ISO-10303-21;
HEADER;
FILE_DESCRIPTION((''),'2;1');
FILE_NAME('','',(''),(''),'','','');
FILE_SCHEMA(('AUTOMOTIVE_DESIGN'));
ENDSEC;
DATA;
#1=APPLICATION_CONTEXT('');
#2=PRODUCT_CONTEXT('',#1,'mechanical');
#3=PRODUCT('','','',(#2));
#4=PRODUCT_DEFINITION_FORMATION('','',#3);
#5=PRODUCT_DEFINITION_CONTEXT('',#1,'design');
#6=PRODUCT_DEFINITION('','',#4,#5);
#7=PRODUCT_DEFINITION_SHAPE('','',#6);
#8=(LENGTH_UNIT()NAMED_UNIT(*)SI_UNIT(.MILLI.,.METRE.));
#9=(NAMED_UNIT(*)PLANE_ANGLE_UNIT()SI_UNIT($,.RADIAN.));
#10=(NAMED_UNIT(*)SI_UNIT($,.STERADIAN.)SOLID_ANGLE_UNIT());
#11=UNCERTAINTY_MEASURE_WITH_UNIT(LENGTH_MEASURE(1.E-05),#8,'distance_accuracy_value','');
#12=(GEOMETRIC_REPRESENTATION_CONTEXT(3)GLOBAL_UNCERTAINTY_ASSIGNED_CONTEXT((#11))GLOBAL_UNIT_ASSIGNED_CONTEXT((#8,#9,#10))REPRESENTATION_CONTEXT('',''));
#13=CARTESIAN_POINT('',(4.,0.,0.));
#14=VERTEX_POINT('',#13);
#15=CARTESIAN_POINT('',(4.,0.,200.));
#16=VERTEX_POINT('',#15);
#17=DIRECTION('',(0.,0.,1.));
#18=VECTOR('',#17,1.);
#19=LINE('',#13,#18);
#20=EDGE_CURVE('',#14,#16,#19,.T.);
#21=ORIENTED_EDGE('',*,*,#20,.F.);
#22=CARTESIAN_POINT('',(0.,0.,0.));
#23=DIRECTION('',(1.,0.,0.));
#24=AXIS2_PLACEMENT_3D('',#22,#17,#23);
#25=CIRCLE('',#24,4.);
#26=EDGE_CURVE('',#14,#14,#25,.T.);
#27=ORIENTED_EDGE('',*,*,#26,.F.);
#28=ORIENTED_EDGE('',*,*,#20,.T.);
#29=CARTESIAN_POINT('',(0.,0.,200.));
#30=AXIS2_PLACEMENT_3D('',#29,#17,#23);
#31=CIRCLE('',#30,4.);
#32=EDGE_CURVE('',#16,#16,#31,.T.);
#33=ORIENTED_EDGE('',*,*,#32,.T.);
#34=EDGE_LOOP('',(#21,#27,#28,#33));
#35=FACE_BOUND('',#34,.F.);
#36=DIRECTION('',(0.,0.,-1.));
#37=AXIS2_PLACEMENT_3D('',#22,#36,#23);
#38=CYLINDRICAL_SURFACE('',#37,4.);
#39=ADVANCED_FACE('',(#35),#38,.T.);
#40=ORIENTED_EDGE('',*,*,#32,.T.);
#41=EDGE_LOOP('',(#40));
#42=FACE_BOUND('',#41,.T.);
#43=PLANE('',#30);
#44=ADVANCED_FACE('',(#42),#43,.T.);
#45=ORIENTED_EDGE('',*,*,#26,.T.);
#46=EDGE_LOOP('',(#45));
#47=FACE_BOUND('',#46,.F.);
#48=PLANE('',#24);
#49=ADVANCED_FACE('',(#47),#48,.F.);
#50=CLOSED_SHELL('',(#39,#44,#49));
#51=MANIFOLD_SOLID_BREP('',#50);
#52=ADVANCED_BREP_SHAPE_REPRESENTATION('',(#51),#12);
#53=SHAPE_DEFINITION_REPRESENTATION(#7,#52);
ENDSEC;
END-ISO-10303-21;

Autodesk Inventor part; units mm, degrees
ref_plane "YZ Plane" through (0, 0, 0) normal (1, 0, 0) x (0, 1, 0)
ref_plane "XZ Plane" through (0, 0, 0) normal (0, 1, 0) x (-1, 0, 0)
ref_plane "XY Plane" through (0, 0, 0) normal (0, 0, 1) x (1, 0, 0)
sketch "Esboço1" plane through (0, 0, 0) normal (0, 0, 1) x (1, 0, 0)
  circle A0 centre (0, 0) radius 4
  dimension "d0" = 8
extrude "Extrusão1" add sketch "Esboço1" along normal blind 200
properties part number "FusoTrapezoidal_8mmx1000mm"
